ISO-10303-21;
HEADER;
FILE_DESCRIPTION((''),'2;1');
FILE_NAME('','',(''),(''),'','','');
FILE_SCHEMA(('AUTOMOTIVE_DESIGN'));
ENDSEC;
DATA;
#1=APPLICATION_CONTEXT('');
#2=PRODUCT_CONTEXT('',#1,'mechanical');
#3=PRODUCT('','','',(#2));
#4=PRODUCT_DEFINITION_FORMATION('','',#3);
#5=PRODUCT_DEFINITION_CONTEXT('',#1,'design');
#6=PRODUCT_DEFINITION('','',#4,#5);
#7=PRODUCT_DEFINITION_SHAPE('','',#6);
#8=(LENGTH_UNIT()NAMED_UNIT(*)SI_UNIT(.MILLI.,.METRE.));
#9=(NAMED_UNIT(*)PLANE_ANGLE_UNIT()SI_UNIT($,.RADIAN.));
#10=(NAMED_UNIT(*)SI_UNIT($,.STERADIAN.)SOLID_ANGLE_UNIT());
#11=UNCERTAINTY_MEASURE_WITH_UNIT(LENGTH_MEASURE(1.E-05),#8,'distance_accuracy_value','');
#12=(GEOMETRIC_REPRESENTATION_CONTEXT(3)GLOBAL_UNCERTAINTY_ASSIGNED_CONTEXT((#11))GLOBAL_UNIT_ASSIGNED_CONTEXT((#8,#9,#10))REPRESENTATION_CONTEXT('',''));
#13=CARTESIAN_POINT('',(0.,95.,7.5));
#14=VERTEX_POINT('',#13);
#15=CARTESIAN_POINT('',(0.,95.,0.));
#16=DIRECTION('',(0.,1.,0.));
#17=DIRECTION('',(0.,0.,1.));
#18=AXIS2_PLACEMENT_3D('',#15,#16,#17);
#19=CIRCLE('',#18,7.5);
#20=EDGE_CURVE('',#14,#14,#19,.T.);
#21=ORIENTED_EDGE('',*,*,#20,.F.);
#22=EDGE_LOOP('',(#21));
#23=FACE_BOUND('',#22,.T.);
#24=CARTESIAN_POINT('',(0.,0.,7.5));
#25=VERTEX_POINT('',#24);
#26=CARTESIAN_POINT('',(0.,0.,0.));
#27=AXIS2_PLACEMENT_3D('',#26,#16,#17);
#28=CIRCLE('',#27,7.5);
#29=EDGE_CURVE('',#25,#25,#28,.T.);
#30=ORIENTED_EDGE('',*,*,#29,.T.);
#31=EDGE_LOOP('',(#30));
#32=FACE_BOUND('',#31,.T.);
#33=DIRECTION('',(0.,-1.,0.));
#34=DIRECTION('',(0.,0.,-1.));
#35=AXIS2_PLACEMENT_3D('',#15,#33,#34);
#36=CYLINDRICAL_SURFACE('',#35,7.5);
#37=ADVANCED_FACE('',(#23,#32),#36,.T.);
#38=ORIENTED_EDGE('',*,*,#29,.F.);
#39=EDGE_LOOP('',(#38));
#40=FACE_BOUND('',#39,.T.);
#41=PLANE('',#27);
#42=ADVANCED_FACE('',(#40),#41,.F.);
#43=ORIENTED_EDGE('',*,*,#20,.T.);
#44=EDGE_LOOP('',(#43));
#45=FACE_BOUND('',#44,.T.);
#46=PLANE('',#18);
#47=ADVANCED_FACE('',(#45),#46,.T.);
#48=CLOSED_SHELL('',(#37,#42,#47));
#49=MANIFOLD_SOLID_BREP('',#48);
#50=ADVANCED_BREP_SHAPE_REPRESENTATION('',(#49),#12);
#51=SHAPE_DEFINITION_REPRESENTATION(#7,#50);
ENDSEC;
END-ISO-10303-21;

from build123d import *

# Parameters (mm, degrees)
ESBO_O1_R                = 7.5
RESSALTO_EXTRUS_O1_DEPTH = 95


with BuildPart() as part:
    # Esboço1 → Ressalto-extrusão1 (new body)
    with BuildSketch(Plane(origin=(0, 0, 0), x_dir=(1, 0, 0), z_dir=(0, 1, 0))):
        Circle(ESBO_O1_R)
    extrude(amount=RESSALTO_EXTRUS_O1_DEPTH)


solid = part.part
